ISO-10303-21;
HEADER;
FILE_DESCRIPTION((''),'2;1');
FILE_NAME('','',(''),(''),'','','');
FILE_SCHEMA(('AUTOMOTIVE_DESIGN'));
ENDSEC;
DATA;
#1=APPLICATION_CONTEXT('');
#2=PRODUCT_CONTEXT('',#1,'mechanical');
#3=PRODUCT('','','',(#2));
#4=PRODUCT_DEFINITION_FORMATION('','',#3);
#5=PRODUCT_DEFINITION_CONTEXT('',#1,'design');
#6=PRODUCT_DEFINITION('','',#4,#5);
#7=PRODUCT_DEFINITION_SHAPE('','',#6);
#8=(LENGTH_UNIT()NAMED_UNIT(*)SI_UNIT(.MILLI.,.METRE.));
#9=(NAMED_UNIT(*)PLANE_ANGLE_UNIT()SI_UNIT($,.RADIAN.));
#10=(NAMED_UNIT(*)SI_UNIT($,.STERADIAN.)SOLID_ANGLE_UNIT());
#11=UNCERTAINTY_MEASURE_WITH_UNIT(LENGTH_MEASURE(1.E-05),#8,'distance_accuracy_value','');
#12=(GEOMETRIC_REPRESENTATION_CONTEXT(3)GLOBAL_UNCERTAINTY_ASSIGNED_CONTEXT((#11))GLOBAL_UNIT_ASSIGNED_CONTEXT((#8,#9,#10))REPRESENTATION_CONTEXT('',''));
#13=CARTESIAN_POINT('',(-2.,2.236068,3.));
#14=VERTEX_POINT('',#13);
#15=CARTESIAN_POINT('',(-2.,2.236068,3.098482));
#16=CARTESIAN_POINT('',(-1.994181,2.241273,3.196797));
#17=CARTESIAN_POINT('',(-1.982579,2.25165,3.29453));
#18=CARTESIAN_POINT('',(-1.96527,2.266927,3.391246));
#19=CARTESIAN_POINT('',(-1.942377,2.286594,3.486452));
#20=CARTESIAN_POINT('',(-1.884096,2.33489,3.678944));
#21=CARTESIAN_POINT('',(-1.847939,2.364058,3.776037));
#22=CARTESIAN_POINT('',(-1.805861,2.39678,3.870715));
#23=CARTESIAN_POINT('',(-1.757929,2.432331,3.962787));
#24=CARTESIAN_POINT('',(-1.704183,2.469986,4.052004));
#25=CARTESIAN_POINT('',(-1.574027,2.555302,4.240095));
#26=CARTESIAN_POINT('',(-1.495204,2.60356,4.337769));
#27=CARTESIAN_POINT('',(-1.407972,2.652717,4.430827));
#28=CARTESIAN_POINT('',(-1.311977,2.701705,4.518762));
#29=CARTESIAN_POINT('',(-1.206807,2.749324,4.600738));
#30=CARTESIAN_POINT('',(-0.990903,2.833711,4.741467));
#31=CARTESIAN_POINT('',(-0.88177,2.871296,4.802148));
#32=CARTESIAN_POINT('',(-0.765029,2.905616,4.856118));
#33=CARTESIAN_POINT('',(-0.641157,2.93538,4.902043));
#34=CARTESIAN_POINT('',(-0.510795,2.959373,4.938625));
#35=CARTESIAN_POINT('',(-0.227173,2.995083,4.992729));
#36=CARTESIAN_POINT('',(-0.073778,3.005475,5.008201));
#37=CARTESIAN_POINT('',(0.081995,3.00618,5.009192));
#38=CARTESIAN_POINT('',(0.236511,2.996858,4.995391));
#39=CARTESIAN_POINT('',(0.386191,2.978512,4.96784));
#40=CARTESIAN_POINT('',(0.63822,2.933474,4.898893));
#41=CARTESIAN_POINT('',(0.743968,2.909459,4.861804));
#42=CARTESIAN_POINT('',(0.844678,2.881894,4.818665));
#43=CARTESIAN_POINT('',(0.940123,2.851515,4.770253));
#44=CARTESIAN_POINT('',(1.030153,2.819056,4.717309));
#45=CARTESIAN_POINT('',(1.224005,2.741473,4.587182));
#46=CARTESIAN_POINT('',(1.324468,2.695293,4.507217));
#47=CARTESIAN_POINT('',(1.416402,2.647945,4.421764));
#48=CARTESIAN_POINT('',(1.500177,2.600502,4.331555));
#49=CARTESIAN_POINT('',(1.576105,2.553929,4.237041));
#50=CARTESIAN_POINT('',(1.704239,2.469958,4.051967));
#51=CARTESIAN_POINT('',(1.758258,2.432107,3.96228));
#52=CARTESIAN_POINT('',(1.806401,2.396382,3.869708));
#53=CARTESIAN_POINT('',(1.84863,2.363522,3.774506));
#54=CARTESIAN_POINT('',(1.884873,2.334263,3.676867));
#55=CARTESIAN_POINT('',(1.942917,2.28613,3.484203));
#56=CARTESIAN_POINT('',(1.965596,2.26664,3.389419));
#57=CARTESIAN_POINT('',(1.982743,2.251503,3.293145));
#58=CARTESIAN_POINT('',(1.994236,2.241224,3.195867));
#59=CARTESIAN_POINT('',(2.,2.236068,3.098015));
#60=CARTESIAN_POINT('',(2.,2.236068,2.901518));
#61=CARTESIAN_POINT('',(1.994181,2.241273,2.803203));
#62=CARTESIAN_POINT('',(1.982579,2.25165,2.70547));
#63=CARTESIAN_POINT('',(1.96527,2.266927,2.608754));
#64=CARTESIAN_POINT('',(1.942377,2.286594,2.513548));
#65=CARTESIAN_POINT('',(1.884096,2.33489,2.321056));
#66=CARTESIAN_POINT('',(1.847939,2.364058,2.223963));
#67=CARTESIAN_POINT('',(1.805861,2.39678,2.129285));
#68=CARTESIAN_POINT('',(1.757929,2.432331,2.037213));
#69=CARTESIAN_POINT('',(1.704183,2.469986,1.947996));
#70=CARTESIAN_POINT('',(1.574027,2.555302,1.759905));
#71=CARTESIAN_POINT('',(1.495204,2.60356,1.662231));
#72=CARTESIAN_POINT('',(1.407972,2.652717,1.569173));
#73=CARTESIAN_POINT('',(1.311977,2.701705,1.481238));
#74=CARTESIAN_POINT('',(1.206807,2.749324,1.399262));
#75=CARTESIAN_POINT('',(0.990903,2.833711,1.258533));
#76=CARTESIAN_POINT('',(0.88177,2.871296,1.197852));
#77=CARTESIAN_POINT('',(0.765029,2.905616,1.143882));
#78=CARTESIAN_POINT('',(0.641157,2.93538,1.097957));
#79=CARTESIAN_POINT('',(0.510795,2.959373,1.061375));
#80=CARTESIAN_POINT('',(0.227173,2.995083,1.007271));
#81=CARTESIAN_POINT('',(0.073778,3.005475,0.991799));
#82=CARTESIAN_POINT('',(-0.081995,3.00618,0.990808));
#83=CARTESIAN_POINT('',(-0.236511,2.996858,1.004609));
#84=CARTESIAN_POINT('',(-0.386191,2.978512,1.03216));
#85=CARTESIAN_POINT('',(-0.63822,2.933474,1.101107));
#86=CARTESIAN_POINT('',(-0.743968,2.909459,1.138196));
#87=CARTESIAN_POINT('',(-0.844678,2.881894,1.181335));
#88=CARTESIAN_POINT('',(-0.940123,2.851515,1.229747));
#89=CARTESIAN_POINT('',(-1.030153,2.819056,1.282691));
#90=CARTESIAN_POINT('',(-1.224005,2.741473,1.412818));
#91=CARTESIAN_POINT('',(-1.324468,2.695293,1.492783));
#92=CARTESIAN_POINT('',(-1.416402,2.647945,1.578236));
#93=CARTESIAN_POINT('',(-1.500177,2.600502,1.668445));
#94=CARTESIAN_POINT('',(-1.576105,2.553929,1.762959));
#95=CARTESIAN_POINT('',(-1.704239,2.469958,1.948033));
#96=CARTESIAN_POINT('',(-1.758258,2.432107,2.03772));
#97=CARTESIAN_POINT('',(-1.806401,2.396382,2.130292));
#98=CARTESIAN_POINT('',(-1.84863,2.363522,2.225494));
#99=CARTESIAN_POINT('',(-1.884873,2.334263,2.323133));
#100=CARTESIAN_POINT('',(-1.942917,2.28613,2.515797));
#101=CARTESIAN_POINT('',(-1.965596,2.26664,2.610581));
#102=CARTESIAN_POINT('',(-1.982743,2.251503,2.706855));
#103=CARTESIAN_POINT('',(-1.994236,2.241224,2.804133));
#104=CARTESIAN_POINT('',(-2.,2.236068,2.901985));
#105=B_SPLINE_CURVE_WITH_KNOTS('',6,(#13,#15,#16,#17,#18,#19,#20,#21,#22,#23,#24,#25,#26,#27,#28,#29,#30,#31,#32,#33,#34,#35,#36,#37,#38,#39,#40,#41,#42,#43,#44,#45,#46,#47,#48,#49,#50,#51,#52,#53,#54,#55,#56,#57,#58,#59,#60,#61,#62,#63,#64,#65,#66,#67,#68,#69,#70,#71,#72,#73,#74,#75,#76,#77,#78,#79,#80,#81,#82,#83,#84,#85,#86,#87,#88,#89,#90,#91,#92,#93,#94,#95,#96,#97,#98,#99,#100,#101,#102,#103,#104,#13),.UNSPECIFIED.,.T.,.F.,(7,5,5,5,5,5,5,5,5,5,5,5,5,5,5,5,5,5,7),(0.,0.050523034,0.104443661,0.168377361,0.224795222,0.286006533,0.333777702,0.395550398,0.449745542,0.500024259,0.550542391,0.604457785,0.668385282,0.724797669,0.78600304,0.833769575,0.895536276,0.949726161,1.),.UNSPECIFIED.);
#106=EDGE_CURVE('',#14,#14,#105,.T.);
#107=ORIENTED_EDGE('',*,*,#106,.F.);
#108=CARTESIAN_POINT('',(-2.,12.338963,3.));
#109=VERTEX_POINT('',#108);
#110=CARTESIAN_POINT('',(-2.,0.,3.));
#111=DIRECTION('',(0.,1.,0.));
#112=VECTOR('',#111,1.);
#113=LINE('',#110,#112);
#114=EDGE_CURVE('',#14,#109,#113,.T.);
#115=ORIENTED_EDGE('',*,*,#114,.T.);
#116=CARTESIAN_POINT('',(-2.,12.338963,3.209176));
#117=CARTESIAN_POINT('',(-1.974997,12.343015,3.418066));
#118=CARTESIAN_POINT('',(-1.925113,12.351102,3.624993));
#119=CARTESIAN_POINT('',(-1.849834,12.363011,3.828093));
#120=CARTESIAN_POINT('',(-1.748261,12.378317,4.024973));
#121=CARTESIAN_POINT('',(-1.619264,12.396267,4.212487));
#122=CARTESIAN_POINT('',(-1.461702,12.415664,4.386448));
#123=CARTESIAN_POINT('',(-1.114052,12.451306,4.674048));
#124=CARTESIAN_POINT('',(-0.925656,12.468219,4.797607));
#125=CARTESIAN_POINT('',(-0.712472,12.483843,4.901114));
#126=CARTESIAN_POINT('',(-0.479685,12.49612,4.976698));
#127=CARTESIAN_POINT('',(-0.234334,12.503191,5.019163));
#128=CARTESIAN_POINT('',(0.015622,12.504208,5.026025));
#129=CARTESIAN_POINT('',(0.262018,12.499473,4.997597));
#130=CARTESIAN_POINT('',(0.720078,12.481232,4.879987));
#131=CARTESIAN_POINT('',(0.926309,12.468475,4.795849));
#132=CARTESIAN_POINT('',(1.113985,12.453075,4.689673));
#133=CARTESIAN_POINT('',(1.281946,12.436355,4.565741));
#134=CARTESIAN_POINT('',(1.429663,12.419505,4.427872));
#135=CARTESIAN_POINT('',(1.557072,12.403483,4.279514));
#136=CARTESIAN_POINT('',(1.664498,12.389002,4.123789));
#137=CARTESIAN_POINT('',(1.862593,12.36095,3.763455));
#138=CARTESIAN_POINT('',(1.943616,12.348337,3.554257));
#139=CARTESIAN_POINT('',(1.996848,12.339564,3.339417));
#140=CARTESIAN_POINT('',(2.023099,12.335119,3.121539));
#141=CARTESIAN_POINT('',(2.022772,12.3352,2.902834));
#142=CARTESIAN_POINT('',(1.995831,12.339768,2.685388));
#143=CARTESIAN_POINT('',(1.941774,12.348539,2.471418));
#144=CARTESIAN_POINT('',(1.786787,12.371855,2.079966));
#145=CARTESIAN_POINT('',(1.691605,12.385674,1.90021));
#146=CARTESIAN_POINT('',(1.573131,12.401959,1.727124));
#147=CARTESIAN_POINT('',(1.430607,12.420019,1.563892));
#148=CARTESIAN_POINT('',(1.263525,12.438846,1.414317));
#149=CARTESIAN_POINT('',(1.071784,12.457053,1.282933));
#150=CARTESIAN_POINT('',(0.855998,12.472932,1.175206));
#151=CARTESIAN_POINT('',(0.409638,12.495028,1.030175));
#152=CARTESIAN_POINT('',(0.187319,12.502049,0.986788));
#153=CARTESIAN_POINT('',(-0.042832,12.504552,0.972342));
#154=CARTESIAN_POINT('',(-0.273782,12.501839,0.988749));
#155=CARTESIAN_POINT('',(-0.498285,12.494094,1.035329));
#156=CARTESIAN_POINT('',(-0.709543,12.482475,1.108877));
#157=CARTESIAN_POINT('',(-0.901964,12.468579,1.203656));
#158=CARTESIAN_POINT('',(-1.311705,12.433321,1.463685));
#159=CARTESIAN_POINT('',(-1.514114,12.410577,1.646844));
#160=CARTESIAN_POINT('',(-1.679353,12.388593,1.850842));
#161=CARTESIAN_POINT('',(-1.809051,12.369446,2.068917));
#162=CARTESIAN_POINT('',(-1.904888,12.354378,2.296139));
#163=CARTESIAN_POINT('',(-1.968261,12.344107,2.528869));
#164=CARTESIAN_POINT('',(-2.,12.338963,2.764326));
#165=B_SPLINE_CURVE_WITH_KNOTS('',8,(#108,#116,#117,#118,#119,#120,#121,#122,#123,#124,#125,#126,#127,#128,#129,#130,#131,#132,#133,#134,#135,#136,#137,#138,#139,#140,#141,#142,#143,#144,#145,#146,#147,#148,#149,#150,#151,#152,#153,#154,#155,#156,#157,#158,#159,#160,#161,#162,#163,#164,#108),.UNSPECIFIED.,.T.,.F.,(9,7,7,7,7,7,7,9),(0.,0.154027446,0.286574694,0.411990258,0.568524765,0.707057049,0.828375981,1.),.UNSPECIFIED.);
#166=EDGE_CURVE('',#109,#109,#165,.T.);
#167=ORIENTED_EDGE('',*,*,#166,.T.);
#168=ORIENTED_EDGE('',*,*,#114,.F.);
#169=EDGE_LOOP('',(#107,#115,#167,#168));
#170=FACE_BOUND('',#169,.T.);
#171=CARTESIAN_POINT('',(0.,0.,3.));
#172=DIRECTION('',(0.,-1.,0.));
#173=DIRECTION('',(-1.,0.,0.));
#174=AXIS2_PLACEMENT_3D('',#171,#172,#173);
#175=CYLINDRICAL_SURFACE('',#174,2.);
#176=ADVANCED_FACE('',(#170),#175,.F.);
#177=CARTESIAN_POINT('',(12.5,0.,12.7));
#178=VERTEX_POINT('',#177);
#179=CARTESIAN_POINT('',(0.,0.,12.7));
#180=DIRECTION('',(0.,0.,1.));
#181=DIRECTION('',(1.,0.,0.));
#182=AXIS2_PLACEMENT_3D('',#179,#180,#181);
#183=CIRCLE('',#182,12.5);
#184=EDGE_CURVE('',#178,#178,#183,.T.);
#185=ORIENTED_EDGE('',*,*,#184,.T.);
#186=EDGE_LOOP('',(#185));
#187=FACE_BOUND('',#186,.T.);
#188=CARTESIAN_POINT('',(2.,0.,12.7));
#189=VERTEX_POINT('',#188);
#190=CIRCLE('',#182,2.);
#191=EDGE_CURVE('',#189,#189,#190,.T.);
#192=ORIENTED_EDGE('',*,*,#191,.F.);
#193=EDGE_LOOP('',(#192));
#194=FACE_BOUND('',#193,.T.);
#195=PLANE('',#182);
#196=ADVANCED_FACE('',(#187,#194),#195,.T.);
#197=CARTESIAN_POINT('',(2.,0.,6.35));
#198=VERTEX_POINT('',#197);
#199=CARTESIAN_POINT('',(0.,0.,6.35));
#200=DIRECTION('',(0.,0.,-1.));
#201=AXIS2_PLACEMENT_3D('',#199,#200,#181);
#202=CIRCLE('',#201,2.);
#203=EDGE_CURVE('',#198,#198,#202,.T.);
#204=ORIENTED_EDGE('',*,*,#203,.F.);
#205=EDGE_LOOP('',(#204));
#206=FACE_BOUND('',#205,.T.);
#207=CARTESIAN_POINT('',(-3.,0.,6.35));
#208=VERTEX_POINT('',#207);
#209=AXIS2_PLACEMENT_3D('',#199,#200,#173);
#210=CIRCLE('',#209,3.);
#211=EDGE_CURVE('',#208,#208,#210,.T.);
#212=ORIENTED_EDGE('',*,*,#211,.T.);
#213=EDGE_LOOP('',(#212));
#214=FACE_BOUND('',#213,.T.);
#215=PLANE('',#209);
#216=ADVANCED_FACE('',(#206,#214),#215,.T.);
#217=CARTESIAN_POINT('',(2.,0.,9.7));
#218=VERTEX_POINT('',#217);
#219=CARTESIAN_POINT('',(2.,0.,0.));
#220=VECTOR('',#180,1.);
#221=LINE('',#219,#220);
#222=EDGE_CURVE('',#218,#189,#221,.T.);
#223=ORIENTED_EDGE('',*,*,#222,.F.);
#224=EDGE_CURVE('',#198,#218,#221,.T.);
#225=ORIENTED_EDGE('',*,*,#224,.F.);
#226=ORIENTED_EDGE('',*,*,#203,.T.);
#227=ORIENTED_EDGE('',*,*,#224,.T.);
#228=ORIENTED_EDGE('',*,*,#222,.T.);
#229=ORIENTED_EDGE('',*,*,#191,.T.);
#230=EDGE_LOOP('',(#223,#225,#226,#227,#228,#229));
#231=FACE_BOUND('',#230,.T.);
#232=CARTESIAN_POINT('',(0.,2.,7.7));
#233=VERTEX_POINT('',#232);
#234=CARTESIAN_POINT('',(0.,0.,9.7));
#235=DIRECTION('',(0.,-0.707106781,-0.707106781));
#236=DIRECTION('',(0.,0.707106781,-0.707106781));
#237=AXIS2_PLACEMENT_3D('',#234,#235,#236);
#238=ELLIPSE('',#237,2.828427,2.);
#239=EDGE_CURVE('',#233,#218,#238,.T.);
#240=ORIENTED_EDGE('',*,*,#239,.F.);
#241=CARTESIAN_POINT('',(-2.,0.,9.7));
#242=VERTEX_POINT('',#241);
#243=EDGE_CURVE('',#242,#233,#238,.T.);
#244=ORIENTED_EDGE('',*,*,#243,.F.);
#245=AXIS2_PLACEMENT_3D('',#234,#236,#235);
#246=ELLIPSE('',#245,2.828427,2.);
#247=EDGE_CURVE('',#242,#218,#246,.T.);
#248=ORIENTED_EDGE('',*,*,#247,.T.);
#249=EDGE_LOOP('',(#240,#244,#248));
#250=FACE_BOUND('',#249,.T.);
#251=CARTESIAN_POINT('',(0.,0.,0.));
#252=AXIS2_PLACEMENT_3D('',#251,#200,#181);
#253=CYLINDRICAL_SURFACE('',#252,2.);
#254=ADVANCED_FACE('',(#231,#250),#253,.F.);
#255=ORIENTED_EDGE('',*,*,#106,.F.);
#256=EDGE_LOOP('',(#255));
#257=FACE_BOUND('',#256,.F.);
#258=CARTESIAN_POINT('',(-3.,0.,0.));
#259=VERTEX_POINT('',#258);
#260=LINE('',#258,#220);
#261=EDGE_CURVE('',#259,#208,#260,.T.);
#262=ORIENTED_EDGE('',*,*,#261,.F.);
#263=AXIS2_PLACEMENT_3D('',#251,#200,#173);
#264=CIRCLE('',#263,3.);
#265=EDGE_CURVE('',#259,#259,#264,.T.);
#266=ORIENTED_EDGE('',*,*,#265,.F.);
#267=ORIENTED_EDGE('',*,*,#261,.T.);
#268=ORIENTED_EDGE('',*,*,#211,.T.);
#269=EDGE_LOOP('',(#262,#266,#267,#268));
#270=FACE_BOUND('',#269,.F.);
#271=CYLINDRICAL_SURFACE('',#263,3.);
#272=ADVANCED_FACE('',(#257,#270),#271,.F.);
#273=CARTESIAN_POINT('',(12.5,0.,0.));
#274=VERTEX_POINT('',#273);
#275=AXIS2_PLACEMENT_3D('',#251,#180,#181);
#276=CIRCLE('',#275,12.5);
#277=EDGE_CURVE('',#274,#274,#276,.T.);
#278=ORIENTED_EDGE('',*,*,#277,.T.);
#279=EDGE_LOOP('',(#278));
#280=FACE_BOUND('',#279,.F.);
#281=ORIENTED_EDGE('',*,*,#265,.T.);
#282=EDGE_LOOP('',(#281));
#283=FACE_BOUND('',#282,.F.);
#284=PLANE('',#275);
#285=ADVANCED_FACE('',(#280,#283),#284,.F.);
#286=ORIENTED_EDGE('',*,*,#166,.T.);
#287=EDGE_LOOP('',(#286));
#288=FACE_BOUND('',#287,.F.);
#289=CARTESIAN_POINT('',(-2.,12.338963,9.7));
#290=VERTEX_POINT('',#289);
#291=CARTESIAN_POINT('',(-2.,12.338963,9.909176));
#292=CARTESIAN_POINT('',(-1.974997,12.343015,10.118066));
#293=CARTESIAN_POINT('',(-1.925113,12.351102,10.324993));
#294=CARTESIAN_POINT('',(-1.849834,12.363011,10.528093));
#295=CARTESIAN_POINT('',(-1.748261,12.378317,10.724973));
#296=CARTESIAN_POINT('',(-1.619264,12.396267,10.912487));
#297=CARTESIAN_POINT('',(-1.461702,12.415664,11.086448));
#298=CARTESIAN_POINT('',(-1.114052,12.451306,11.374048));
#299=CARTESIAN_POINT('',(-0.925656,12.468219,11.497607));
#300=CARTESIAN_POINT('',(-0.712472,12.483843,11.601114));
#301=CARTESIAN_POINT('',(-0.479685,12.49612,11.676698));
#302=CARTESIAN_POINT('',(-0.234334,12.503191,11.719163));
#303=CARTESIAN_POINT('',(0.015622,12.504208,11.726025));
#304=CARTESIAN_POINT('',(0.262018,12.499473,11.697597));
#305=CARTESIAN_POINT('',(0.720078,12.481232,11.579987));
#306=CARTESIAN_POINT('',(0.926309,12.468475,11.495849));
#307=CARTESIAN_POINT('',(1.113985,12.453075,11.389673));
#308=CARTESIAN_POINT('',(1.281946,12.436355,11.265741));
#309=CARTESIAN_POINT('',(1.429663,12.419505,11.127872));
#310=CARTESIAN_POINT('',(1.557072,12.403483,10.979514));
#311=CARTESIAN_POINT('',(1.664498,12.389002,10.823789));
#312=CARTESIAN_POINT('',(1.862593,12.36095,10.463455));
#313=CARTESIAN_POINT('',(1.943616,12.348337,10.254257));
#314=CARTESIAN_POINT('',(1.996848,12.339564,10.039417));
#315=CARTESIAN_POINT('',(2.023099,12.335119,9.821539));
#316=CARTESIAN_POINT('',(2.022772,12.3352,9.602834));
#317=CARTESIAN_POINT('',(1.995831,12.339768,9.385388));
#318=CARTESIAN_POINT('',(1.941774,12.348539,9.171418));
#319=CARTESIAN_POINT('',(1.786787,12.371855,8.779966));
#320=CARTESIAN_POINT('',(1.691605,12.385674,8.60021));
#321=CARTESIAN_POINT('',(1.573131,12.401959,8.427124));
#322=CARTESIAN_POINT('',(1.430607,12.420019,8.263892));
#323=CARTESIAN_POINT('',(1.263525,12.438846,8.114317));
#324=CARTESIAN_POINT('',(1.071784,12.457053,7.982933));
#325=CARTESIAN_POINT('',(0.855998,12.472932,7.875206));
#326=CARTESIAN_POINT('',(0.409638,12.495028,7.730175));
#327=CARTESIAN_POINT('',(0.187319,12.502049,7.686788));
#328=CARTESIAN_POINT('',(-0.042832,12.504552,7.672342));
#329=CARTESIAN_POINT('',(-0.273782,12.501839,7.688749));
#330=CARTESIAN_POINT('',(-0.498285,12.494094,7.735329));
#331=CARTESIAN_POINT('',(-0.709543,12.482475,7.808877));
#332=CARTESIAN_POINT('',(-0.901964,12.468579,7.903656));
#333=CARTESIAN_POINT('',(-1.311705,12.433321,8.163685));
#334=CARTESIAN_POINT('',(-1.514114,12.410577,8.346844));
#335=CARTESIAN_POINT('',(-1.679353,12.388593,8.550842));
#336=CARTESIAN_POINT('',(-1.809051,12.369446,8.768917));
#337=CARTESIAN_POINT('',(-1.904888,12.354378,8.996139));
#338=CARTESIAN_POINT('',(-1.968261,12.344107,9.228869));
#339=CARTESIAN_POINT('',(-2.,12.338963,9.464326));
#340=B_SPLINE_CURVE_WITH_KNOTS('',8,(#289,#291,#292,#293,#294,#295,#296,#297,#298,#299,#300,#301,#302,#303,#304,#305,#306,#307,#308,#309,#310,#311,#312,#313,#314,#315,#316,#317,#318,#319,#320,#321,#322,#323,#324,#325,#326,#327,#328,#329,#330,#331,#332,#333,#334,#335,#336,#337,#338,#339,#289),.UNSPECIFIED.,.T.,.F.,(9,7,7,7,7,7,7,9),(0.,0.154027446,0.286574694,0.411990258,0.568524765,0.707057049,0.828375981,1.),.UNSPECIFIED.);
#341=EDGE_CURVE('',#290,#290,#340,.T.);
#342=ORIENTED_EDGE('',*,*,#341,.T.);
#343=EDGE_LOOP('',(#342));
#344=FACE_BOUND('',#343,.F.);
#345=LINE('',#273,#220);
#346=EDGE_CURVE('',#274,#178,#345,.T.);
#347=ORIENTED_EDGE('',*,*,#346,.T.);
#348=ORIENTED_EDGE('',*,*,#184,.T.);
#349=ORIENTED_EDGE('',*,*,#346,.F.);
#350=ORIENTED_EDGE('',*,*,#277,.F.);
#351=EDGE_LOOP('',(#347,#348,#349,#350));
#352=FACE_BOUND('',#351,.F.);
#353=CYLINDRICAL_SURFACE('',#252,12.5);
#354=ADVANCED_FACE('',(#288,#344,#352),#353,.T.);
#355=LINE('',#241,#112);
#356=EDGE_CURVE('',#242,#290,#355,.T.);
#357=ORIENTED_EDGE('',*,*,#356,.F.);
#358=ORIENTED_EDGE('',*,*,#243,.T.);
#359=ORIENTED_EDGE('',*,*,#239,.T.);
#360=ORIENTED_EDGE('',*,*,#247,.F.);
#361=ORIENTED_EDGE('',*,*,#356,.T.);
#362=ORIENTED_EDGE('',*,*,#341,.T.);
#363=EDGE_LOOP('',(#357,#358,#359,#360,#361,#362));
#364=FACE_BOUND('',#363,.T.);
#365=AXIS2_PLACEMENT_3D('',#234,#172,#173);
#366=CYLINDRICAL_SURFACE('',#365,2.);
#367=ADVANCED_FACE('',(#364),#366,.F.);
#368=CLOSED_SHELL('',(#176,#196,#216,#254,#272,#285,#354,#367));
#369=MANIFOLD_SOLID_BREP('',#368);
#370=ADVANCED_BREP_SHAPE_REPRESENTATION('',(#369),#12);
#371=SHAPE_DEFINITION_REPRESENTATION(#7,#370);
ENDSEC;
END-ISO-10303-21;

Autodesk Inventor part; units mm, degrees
ref_plane "YZ Plane" through (0, 0, 0) normal (1, 0, 0) x (0, 1, 0)
ref_plane "XZ Plane" through (0, 0, 0) normal (0, 1, 0) x (-1, 0, 0)
ref_plane "XY Plane" through (0, 0, 0) normal (0, 0, 1) x (1, 0, 0)
sketch "Sketch1" plane through (0, 0, 0) normal (0, 0, 1) x (1, 0, 0)
  circle A0 centre (0, 0) radius 12.5
  circle A1 centre (0, 0) radius 2
  dimension "d1" = 4
  dimension "d32" = 25
extrude "Extrusion1" add sketch "Sketch1" along normal blind 12.7
sketch "Sketch8" plane through (0, 0, 0) normal (0, 1, 0) x (-1, 0, 0)
  circle A0 centre (0, 3) radius 2
  circle A1 centre (0, 9.7) radius 2
  line L0 (2, 0) -> (-2, 0) projected
  line L1 (-2, 12.7) -> (2, 12.7) projected
  point P0 (0, 0)
  point P1 (0, 0)
  dimension "d33" = 4
  dimension "d34" = 4
  dimension "d35" = 3
  dimension "d36" = 3
extrude "Extrusion6" cut sketch "Sketch8" along normal through all
sketch "Sketch9" plane through (0, 0, 0) normal (0, 0, -1) x (-1, 0, 0)
  circle A0 centre (0, 0) radius 3
  dimension "d39" = 6
extrude "Extrusion7" cut sketch "Sketch9" against normal blind 6.35
thread "Thread1" size "M4x0.7" class "6H" standard "ANSI Metric M Profile" full length
thread "Thread2" size "M4x0.7" class "6H" standard "ANSI Metric M Profile" full length
properties part number "AA050" material "Aluminum 6061"
